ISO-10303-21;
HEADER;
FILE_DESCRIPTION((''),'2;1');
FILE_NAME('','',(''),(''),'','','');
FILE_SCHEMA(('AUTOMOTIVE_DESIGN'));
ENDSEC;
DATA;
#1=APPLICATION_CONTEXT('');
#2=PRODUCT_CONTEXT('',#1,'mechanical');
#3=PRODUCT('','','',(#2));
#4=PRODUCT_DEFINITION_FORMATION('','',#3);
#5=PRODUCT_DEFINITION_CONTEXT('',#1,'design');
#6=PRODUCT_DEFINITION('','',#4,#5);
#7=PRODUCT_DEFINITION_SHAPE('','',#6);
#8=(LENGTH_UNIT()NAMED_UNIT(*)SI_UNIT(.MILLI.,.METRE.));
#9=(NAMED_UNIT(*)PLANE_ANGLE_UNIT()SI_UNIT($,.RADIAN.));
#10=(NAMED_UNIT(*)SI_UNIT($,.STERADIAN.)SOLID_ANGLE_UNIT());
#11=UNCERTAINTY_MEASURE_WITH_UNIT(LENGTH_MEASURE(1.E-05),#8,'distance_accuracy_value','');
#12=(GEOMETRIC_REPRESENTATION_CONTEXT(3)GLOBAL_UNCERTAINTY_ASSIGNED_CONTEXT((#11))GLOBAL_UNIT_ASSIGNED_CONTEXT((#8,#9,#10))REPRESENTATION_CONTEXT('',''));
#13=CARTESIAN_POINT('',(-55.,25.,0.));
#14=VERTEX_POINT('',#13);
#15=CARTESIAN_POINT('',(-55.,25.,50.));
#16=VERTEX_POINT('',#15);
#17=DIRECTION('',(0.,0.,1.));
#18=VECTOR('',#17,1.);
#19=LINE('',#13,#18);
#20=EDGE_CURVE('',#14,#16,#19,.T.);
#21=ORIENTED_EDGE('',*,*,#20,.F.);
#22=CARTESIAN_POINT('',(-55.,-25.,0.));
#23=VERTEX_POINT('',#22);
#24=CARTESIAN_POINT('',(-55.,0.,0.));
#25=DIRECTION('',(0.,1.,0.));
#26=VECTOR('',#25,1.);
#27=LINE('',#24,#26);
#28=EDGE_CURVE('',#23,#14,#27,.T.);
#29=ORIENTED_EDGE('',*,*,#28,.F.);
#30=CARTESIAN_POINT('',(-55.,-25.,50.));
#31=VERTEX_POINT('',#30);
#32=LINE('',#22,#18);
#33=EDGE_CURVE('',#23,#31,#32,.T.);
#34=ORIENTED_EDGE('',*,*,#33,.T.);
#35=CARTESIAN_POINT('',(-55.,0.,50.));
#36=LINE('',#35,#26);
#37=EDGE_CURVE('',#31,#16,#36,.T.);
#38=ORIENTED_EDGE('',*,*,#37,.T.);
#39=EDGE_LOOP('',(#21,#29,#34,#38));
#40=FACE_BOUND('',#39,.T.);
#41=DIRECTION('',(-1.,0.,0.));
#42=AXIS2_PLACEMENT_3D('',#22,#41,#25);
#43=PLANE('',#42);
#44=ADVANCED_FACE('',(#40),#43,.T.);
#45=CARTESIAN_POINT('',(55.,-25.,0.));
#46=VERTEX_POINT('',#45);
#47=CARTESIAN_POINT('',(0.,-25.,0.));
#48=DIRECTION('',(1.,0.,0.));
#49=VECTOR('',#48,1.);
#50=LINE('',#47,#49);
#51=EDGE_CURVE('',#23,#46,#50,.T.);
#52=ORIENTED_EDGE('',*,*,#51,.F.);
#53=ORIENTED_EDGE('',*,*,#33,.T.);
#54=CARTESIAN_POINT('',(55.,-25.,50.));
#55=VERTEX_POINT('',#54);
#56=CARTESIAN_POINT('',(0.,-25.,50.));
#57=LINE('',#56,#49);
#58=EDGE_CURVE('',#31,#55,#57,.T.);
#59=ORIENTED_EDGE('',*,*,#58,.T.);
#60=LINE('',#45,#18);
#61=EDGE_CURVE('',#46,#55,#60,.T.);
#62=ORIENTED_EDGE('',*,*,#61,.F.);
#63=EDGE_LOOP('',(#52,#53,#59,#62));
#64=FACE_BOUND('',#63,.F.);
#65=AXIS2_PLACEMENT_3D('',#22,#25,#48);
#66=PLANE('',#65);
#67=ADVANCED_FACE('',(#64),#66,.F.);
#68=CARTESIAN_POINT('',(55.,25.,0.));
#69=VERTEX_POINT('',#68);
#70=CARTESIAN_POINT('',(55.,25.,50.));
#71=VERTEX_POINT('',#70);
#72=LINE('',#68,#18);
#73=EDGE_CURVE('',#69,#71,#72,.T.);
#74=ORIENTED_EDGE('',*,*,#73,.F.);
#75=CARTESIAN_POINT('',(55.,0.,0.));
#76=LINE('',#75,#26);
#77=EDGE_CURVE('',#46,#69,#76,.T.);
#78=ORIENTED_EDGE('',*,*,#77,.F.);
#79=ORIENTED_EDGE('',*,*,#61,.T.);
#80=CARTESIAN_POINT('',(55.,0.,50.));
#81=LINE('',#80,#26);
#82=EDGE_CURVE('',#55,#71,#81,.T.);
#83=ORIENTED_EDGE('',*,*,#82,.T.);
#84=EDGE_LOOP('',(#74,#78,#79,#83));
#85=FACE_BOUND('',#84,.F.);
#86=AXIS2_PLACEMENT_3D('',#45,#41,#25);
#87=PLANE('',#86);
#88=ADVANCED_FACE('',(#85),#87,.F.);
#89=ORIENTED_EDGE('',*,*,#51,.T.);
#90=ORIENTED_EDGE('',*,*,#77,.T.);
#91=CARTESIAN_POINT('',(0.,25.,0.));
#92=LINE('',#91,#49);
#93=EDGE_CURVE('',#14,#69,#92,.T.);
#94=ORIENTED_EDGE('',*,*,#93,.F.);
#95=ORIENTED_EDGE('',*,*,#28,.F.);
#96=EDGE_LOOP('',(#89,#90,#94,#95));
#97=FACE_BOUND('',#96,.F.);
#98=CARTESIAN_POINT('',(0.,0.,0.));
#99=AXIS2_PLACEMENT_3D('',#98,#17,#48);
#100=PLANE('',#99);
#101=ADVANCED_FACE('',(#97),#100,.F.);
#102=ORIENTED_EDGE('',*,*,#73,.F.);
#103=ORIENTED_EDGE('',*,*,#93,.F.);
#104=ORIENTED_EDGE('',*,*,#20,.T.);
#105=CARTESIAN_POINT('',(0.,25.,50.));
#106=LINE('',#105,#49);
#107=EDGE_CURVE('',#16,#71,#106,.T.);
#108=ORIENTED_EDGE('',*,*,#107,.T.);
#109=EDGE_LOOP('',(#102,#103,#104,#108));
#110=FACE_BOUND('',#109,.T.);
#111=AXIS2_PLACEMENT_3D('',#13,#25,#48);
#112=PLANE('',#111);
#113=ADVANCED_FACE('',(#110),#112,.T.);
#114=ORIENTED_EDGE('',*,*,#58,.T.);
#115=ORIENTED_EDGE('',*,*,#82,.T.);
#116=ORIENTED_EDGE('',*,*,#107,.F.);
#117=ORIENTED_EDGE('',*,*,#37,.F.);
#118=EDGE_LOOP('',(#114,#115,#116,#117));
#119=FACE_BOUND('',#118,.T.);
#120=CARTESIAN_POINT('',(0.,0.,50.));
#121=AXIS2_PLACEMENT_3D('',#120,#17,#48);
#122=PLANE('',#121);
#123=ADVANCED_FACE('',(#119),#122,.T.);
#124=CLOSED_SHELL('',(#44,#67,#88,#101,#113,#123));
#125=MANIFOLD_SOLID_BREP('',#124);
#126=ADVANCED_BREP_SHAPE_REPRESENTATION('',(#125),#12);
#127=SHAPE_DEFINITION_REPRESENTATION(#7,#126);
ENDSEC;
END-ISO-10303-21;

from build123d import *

# Parameters (mm, degrees)
SKETCH_W      = 110
SKETCH_H      = 50
EXTRUDE_DEPTH = 50


with BuildPart() as part:
    # Sketch → Extrude (new body)
    with BuildSketch(Plane.XY):
        Rectangle(SKETCH_W, SKETCH_H)
    extrude(amount=EXTRUDE_DEPTH)


solid = part.part
